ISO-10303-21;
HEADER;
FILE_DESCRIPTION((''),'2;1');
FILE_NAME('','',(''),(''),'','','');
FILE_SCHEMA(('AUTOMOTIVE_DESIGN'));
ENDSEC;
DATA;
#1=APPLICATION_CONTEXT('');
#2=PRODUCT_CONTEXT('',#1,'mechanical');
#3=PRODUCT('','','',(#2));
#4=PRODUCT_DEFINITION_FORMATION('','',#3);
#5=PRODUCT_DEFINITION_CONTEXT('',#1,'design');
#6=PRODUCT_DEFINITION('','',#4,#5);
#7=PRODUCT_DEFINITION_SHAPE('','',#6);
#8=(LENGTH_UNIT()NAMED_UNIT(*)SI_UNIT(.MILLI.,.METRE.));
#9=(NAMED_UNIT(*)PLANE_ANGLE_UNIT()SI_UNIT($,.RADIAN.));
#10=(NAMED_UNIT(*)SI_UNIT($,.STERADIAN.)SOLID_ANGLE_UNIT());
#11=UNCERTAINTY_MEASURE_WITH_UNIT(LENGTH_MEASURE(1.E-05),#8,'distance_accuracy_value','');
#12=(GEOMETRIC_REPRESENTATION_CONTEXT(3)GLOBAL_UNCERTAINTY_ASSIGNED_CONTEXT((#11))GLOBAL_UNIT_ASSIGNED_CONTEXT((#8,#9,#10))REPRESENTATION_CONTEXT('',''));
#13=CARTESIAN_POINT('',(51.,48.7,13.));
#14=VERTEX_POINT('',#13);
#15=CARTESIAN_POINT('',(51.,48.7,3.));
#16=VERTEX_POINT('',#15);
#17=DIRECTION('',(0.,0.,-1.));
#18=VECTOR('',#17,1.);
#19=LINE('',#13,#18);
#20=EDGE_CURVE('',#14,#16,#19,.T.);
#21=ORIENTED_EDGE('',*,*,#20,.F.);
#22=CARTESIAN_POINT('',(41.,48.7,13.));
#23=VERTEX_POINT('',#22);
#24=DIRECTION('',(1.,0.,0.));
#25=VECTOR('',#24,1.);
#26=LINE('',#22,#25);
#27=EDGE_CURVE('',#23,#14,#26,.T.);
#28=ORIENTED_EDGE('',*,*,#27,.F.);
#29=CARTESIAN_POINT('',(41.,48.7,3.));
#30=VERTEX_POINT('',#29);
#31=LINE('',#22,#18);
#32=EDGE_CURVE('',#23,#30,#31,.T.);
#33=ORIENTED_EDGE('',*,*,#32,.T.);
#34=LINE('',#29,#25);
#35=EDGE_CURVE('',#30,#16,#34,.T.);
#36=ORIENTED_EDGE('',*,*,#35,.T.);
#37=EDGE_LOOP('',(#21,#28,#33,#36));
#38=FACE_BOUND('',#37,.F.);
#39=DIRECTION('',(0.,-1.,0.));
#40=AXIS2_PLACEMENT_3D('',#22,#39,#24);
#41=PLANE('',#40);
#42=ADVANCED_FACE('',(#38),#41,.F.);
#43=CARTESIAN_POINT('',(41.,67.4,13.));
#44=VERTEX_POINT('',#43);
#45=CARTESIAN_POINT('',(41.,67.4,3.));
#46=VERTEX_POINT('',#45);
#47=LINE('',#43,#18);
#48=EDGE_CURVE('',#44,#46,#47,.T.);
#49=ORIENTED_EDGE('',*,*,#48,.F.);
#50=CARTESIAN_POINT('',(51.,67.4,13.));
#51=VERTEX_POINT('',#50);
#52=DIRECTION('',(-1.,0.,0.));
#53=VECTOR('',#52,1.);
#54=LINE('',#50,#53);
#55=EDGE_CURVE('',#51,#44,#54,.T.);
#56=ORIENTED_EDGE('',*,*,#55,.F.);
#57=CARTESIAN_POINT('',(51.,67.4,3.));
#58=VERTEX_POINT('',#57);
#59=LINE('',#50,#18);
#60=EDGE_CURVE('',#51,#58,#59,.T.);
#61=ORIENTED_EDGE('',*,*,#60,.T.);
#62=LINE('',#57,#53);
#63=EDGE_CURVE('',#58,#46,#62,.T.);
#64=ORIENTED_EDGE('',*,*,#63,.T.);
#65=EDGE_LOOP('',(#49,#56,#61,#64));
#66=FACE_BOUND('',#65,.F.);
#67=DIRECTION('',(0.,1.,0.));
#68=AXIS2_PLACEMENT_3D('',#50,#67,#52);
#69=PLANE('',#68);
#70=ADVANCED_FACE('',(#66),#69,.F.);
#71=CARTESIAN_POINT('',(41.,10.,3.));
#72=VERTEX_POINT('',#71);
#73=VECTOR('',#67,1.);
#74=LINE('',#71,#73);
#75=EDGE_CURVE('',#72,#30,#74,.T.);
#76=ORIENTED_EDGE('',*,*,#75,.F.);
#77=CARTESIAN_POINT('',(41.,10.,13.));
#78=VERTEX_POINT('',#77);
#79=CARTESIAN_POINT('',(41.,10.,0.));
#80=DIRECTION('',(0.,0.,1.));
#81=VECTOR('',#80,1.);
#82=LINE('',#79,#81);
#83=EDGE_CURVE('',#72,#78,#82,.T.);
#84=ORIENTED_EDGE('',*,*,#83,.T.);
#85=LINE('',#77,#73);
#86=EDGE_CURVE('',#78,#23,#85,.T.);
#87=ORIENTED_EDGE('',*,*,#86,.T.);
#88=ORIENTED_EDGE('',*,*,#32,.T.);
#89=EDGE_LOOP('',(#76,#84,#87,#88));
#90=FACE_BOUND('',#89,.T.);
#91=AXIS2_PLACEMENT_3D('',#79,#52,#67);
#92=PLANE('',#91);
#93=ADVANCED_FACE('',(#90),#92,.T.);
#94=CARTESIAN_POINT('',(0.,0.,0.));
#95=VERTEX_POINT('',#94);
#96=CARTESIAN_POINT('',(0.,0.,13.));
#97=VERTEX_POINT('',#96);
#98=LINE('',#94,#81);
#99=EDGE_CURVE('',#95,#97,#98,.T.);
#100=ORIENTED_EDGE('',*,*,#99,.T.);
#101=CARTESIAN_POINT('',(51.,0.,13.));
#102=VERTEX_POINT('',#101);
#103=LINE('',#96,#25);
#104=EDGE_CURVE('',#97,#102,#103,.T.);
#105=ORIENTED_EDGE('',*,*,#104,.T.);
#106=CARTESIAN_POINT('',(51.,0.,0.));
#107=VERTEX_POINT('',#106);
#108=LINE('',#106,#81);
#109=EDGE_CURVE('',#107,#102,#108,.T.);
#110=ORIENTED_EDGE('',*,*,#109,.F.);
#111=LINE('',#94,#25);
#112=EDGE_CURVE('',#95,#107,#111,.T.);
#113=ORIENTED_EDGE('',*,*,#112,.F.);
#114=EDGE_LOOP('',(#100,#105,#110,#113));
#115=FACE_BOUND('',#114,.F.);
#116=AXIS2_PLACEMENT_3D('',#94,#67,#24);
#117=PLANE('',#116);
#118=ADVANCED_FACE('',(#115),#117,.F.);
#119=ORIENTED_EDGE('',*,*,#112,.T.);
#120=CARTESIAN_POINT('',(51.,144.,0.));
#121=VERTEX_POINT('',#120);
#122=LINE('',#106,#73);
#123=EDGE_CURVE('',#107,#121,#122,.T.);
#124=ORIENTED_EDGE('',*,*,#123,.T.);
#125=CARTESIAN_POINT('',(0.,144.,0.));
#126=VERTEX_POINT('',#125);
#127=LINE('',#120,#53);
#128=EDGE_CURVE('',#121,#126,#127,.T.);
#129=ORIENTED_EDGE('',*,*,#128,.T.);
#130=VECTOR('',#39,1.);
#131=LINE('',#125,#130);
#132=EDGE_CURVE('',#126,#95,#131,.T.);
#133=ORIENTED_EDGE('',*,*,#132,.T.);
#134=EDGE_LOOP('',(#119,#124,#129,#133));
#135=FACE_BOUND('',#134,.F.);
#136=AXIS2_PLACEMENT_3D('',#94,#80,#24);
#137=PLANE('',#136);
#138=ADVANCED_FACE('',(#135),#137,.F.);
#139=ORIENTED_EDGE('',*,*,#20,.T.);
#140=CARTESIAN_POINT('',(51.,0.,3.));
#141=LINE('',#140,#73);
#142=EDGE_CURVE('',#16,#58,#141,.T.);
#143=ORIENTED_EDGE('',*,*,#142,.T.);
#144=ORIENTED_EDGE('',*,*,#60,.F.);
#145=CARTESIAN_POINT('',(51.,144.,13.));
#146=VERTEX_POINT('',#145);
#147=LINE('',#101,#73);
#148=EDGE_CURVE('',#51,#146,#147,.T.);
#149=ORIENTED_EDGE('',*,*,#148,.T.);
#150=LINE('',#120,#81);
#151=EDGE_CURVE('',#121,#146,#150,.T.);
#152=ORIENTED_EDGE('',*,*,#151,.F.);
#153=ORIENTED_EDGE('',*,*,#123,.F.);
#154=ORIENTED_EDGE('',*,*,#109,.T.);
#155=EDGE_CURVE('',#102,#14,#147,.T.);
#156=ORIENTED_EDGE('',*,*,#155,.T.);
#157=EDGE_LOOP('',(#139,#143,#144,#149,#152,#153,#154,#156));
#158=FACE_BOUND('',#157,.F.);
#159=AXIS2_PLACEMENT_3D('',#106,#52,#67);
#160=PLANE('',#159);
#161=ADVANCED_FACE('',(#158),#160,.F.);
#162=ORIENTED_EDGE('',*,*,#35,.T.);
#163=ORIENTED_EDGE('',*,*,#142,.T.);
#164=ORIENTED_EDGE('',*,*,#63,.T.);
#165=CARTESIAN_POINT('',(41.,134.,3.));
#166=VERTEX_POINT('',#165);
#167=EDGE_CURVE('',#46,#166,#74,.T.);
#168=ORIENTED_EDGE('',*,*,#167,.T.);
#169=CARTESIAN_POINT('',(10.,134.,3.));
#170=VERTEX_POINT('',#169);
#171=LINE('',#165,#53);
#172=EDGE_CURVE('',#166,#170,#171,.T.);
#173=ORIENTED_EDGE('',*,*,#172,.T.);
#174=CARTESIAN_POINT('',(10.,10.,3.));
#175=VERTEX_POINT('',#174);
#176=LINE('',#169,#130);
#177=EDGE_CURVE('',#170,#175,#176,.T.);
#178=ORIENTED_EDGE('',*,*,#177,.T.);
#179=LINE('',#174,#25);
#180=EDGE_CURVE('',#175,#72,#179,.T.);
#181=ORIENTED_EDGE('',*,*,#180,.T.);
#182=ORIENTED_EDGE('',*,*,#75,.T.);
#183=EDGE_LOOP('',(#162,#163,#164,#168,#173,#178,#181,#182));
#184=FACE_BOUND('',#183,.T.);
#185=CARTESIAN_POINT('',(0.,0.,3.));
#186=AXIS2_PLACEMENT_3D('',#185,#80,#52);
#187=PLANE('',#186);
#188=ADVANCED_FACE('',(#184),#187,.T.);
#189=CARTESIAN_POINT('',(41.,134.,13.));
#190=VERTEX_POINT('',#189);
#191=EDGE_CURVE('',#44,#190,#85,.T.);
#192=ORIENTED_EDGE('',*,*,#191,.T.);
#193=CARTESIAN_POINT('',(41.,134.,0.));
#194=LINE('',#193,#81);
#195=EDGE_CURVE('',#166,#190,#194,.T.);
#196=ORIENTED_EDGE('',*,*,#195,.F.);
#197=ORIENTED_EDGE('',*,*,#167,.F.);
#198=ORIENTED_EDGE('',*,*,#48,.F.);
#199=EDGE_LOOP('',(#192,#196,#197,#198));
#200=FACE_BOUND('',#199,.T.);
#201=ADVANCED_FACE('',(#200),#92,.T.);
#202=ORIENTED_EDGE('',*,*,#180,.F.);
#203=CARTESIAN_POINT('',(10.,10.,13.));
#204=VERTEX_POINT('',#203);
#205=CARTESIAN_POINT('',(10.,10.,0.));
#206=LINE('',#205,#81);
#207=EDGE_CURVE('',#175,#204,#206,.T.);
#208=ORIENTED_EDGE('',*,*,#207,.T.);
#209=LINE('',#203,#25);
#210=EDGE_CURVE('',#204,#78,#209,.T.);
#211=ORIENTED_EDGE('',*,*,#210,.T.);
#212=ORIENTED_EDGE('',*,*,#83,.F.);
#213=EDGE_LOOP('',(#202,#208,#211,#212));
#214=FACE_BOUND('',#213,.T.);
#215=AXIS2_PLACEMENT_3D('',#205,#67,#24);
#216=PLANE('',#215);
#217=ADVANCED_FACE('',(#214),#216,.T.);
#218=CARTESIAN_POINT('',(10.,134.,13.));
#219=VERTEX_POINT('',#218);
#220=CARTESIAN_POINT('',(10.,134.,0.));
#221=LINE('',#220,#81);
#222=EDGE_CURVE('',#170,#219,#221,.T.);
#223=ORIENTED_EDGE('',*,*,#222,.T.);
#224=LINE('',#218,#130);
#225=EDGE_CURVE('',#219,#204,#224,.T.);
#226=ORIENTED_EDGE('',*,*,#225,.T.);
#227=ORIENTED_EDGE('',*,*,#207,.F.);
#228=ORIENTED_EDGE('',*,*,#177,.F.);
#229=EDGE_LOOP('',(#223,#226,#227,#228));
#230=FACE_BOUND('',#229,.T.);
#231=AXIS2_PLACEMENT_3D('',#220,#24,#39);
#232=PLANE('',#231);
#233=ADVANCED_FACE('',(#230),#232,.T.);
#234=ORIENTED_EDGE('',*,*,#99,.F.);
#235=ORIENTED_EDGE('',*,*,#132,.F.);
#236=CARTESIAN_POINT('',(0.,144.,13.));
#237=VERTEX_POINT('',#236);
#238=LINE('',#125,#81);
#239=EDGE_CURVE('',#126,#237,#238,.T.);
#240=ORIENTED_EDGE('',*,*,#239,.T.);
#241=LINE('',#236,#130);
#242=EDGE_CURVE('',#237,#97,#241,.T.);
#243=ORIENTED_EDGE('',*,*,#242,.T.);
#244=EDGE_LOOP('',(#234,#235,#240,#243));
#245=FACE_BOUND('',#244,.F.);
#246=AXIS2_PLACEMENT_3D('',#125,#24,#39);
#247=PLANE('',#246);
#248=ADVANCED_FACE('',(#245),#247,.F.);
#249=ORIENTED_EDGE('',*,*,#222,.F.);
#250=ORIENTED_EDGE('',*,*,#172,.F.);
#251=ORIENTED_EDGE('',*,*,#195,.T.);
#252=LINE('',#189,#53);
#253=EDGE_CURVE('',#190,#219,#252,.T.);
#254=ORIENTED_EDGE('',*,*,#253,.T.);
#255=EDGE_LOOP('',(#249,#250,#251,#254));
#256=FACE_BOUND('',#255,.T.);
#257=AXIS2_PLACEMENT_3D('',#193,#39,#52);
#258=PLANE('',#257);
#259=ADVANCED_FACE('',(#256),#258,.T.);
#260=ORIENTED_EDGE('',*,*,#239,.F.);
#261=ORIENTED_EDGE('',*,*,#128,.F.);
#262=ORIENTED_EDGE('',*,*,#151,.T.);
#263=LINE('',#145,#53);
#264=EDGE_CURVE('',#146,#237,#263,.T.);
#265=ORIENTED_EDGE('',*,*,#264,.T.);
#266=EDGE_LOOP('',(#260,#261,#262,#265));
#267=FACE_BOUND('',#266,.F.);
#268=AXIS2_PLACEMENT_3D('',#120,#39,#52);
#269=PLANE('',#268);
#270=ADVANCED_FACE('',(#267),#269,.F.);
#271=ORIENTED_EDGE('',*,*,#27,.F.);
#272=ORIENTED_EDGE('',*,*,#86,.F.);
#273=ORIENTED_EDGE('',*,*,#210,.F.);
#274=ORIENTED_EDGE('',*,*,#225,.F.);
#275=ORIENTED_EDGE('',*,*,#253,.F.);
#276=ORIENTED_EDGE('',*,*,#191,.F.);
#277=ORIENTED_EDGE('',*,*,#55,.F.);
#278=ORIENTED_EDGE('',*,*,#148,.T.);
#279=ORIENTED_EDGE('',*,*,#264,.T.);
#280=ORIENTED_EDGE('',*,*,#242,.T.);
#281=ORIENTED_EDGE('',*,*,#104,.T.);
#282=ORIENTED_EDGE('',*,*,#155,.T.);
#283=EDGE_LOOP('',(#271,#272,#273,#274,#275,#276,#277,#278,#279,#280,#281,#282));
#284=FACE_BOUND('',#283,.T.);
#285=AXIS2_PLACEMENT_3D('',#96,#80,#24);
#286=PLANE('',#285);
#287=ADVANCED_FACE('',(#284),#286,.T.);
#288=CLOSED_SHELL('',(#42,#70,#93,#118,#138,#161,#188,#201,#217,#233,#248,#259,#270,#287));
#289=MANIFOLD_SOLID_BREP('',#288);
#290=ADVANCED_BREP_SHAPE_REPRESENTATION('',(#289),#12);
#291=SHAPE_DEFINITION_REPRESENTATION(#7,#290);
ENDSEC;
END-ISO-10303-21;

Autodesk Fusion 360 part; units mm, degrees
sketch "Sketch1" plane through (0, 0, 0) normal (0, 0, 1) x (1, 0, 0)
  line L0 (0, 0) -> (51, 0)
  line L1 (51, 0) -> (51, 144)
  line L2 (51, 144) -> (0, 144)
  line L3 (0, 144) -> (0, 0)
  line L4 (10, 10) -> (41, 10)
  line L5 (41, 10) -> (41, 134)
  line L6 (41, 134) -> (10, 134)
  line L7 (10, 134) -> (10, 10)
  dimension "d1" = 51
  dimension "d2" = 144
  dimension "d5" = 31
  dimension "d6" = 124
extrude "Extrude1" add sketch "Sketch1" along normal blind 13
sketch "Sketch2" plane through (0, 0, 0) normal (0, 0, -1) x (1, 0, 0)
  line L0 (10, -134) -> (10, -10)
  line L1 (10, -10) -> (41, -10)
  line L2 (41, -10) -> (41, -134)
  line L3 (41, -134) -> (10, -134)
  line L4 (0, 0) -> (0, -144)
  line L5 (0, -144) -> (51, -144)
  line L6 (51, -144) -> (51, 0)
  line L7 (51, 0) -> (0, 0)
  line L8 (41, -134) -> (10, -134)
  line L9 (10, -134) -> (10, -10)
  line L10 (10, -10) -> (41, -10)
  line L11 (41, -10) -> (41, -134)
extrude "Extrude2" add sketch "Sketch2" against normal blind 3 contours L0 L1 L2 L3 L8 L9 L10 L11
sketch "Sketch3" plane through (0, 0, 13) normal (0, 0, 1) x (-1, 0, 0)
  line L0 (-10, -10) -> (-10, -134)
  line L1 (-10, -134) -> (-41, -134)
  line L2 (-41, -134) -> (-41, -10)
  line L3 (-41, -10) -> (-10, -10)
  line L4 (0, -144) -> (0, 0)
  line L5 (0, 0) -> (-51, 0)
  line L6 (-51, 0) -> (-51, -144)
  line L7 (-51, -144) -> (0, -144)
  line L8 (-41, -48.7) -> (-41, -67.4)
  line L9 (-41, -48.7) -> (-51, -48.7)
  line L10 (-51, -48.7) -> (-51, -67.4)
  line L11 (-51, -67.4) -> (-41, -67.4)
  line L12 (-41, -67.4) -> (-41, -48.7)
  dimension "d11" = 38.7
  dimension "d12" = 18.7
  dimension "d13" = 18.7
extrude "Extrude3" cut sketch "Sketch3" against normal blind 10 contours L2 L6 L8 L9 L10 L11 L12
